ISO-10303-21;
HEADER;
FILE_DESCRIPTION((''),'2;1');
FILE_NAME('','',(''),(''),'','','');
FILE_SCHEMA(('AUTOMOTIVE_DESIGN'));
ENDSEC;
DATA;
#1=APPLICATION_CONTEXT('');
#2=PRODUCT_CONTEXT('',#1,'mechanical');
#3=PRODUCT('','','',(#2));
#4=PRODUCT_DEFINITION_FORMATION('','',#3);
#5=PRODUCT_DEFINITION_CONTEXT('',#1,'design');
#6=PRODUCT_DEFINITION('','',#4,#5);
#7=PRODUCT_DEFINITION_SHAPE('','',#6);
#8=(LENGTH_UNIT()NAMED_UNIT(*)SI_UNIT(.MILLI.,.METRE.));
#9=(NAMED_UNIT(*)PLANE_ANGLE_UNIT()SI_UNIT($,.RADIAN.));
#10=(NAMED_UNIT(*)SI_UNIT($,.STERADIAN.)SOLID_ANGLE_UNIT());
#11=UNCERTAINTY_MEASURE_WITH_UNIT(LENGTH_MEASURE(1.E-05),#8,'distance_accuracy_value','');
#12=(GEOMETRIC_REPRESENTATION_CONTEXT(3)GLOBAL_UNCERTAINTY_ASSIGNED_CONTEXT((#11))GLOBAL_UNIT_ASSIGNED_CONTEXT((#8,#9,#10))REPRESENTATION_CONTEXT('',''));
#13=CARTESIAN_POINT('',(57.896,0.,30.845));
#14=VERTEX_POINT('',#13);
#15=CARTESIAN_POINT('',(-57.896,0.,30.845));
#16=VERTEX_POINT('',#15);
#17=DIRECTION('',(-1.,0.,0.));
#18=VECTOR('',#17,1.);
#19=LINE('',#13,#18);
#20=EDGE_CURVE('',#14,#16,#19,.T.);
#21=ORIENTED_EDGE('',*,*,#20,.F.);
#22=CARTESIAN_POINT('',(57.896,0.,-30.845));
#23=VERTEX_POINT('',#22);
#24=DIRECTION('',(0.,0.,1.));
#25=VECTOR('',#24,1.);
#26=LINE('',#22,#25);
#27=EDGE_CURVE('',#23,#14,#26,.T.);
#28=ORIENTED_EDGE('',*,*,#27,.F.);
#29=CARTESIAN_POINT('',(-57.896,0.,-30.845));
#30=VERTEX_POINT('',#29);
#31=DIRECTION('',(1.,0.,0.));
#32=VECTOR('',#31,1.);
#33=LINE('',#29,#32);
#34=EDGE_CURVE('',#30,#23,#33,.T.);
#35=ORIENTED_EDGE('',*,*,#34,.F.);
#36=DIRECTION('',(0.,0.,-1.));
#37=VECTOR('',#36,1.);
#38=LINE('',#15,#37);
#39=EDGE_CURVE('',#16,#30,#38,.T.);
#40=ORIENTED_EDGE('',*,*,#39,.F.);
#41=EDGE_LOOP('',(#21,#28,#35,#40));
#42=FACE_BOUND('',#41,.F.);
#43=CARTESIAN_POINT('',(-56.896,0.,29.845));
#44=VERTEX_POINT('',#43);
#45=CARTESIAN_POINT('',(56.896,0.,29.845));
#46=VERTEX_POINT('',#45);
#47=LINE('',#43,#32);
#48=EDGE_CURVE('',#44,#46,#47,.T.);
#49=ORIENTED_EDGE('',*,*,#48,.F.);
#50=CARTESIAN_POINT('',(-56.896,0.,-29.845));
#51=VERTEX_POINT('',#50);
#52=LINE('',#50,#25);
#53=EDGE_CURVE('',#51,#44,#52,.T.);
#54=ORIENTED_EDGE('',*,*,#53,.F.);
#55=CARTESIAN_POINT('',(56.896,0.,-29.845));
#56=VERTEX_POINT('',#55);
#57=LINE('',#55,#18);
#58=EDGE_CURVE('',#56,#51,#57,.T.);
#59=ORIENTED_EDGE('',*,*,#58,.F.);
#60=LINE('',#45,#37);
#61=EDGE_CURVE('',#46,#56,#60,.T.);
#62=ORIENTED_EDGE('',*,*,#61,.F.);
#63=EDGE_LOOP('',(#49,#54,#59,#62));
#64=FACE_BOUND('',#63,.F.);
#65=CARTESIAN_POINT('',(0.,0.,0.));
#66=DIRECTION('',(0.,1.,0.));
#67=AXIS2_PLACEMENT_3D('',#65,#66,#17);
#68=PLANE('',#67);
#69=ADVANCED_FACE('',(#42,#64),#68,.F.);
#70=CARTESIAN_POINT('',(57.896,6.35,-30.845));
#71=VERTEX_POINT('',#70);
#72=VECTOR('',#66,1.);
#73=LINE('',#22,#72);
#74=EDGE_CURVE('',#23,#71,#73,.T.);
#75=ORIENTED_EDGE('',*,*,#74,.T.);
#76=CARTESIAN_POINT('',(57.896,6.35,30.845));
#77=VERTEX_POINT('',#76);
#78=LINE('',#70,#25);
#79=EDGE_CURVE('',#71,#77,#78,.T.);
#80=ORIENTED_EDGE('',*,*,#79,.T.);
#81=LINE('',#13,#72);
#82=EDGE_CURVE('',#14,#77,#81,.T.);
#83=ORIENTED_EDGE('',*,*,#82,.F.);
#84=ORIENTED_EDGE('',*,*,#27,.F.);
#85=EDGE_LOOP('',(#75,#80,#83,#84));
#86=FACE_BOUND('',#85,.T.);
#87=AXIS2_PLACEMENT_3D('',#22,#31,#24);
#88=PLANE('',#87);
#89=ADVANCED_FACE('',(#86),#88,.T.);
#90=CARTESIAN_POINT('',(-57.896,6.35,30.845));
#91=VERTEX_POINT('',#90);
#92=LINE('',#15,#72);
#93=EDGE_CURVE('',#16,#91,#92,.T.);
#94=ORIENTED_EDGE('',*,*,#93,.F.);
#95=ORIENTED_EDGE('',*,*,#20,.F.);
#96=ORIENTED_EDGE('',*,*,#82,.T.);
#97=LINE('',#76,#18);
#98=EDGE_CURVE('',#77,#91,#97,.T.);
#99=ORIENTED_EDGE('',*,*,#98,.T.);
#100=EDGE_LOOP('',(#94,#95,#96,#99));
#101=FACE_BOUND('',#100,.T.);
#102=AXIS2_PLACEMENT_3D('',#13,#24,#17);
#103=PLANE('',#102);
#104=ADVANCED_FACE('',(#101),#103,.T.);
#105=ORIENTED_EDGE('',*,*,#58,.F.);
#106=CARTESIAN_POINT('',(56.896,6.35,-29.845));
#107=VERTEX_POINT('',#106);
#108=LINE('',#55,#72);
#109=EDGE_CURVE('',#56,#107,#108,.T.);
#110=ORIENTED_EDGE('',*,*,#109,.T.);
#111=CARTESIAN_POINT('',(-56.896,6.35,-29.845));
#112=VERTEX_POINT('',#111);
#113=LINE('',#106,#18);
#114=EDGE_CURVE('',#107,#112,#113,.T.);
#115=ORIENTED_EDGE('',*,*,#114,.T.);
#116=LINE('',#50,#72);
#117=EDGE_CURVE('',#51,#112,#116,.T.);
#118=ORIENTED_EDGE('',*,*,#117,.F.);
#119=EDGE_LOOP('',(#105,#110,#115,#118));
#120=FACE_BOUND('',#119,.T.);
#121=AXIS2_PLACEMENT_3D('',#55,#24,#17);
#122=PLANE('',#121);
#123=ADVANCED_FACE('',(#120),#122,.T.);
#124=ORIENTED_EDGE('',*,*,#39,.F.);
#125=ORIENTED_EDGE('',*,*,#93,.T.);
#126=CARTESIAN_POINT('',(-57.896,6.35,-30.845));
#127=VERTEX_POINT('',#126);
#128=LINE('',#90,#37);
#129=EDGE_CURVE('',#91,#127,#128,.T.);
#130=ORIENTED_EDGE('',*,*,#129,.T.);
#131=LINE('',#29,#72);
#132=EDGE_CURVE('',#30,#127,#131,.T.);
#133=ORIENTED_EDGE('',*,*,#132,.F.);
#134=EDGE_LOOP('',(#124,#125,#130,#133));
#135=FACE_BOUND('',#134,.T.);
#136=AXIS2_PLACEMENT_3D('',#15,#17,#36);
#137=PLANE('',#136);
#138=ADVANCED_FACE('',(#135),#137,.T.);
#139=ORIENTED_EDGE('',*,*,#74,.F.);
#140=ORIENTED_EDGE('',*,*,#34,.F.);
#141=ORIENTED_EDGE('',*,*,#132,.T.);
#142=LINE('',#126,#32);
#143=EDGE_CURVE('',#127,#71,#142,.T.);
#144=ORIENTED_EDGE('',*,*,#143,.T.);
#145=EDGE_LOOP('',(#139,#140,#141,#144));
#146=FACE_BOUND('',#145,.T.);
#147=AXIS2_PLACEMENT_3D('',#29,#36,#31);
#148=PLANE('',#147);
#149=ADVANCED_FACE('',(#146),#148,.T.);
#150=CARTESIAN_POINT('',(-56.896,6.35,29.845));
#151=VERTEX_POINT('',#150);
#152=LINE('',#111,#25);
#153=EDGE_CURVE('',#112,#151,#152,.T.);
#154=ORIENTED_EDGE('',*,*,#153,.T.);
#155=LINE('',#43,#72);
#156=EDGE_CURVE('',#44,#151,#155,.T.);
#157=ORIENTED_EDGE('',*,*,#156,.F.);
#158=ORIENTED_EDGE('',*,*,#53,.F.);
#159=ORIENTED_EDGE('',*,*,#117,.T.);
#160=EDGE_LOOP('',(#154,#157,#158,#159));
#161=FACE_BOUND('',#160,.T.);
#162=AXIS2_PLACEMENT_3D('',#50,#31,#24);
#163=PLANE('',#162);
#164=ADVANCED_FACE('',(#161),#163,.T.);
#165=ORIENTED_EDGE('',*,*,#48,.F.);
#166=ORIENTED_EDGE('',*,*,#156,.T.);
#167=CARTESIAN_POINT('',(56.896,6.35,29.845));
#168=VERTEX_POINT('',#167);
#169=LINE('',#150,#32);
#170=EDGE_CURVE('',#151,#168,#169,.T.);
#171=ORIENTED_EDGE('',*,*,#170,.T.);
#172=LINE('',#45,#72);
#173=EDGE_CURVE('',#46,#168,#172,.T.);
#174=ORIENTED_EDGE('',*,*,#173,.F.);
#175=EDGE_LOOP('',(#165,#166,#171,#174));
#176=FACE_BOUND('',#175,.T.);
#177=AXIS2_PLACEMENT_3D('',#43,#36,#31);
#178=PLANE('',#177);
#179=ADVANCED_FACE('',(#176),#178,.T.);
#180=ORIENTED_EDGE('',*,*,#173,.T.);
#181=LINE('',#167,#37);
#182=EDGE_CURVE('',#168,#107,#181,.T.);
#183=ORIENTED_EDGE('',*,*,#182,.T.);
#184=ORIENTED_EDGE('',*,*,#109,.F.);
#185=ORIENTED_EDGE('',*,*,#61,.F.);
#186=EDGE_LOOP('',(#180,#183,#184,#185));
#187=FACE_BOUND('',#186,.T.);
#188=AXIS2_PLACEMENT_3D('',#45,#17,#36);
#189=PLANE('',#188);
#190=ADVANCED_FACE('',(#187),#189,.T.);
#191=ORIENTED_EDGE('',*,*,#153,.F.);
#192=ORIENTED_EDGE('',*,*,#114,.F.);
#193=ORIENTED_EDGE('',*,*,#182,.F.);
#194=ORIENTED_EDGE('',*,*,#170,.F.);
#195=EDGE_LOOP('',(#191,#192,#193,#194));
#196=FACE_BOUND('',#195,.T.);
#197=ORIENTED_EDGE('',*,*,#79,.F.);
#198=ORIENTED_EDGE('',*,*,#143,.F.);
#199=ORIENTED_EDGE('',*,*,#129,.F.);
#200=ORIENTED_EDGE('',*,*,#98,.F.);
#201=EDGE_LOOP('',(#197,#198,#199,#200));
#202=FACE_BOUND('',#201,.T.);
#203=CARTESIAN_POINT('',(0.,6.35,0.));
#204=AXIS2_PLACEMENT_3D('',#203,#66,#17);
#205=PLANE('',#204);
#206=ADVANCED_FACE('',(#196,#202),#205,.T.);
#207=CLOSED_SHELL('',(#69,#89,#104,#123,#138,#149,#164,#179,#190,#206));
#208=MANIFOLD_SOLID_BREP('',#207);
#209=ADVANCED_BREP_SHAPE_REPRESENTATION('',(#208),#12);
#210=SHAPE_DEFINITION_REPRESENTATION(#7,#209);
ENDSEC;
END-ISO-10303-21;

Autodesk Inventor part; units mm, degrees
ref_plane "YZ Plane" through (0, 0, 0) normal (1, 0, 0) x (0, 1, 0)
ref_plane "XZ Plane" through (0, 0, 0) normal (0, 1, 0) x (-1, 0, 0)
ref_plane "XY Plane" through (0, 0, 0) normal (0, 0, 1) x (1, 0, 0)
sketch "Sketch1" plane through (0, 0, 0) normal (0, 1, 0) x (-1, 0, 0)
  line L0 (56.896, 29.845) -> (-56.896, 29.845)
  line L1 (-56.896, 29.845) -> (-56.896, -29.845)
  line L2 (-56.896, -29.845) -> (56.896, -29.845)
  line L3 (56.896, -29.845) -> (56.896, 29.845)
  line L4 (56.896, 29.845) -> (-56.896, -29.845) construction
  line L5 (-56.896, 29.845) -> (56.896, -29.845) construction
  line L6 (57.896, -30.845) -> (-57.896, -30.845)
  line L7 (-57.896, -30.845) -> (-57.896, 30.845)
  line L8 (-57.896, 30.845) -> (57.896, 30.845)
  line L9 (57.896, 30.845) -> (57.896, -30.845)
  point P0 (0, 0)
  dimension "d0" = 113.792
  dimension "d1" = 59.69
  dimension "d2" = 1
extrude "Extrusion1" add sketch "Sketch1" along normal blind 6.35
properties part number "band" material "Rubber"
